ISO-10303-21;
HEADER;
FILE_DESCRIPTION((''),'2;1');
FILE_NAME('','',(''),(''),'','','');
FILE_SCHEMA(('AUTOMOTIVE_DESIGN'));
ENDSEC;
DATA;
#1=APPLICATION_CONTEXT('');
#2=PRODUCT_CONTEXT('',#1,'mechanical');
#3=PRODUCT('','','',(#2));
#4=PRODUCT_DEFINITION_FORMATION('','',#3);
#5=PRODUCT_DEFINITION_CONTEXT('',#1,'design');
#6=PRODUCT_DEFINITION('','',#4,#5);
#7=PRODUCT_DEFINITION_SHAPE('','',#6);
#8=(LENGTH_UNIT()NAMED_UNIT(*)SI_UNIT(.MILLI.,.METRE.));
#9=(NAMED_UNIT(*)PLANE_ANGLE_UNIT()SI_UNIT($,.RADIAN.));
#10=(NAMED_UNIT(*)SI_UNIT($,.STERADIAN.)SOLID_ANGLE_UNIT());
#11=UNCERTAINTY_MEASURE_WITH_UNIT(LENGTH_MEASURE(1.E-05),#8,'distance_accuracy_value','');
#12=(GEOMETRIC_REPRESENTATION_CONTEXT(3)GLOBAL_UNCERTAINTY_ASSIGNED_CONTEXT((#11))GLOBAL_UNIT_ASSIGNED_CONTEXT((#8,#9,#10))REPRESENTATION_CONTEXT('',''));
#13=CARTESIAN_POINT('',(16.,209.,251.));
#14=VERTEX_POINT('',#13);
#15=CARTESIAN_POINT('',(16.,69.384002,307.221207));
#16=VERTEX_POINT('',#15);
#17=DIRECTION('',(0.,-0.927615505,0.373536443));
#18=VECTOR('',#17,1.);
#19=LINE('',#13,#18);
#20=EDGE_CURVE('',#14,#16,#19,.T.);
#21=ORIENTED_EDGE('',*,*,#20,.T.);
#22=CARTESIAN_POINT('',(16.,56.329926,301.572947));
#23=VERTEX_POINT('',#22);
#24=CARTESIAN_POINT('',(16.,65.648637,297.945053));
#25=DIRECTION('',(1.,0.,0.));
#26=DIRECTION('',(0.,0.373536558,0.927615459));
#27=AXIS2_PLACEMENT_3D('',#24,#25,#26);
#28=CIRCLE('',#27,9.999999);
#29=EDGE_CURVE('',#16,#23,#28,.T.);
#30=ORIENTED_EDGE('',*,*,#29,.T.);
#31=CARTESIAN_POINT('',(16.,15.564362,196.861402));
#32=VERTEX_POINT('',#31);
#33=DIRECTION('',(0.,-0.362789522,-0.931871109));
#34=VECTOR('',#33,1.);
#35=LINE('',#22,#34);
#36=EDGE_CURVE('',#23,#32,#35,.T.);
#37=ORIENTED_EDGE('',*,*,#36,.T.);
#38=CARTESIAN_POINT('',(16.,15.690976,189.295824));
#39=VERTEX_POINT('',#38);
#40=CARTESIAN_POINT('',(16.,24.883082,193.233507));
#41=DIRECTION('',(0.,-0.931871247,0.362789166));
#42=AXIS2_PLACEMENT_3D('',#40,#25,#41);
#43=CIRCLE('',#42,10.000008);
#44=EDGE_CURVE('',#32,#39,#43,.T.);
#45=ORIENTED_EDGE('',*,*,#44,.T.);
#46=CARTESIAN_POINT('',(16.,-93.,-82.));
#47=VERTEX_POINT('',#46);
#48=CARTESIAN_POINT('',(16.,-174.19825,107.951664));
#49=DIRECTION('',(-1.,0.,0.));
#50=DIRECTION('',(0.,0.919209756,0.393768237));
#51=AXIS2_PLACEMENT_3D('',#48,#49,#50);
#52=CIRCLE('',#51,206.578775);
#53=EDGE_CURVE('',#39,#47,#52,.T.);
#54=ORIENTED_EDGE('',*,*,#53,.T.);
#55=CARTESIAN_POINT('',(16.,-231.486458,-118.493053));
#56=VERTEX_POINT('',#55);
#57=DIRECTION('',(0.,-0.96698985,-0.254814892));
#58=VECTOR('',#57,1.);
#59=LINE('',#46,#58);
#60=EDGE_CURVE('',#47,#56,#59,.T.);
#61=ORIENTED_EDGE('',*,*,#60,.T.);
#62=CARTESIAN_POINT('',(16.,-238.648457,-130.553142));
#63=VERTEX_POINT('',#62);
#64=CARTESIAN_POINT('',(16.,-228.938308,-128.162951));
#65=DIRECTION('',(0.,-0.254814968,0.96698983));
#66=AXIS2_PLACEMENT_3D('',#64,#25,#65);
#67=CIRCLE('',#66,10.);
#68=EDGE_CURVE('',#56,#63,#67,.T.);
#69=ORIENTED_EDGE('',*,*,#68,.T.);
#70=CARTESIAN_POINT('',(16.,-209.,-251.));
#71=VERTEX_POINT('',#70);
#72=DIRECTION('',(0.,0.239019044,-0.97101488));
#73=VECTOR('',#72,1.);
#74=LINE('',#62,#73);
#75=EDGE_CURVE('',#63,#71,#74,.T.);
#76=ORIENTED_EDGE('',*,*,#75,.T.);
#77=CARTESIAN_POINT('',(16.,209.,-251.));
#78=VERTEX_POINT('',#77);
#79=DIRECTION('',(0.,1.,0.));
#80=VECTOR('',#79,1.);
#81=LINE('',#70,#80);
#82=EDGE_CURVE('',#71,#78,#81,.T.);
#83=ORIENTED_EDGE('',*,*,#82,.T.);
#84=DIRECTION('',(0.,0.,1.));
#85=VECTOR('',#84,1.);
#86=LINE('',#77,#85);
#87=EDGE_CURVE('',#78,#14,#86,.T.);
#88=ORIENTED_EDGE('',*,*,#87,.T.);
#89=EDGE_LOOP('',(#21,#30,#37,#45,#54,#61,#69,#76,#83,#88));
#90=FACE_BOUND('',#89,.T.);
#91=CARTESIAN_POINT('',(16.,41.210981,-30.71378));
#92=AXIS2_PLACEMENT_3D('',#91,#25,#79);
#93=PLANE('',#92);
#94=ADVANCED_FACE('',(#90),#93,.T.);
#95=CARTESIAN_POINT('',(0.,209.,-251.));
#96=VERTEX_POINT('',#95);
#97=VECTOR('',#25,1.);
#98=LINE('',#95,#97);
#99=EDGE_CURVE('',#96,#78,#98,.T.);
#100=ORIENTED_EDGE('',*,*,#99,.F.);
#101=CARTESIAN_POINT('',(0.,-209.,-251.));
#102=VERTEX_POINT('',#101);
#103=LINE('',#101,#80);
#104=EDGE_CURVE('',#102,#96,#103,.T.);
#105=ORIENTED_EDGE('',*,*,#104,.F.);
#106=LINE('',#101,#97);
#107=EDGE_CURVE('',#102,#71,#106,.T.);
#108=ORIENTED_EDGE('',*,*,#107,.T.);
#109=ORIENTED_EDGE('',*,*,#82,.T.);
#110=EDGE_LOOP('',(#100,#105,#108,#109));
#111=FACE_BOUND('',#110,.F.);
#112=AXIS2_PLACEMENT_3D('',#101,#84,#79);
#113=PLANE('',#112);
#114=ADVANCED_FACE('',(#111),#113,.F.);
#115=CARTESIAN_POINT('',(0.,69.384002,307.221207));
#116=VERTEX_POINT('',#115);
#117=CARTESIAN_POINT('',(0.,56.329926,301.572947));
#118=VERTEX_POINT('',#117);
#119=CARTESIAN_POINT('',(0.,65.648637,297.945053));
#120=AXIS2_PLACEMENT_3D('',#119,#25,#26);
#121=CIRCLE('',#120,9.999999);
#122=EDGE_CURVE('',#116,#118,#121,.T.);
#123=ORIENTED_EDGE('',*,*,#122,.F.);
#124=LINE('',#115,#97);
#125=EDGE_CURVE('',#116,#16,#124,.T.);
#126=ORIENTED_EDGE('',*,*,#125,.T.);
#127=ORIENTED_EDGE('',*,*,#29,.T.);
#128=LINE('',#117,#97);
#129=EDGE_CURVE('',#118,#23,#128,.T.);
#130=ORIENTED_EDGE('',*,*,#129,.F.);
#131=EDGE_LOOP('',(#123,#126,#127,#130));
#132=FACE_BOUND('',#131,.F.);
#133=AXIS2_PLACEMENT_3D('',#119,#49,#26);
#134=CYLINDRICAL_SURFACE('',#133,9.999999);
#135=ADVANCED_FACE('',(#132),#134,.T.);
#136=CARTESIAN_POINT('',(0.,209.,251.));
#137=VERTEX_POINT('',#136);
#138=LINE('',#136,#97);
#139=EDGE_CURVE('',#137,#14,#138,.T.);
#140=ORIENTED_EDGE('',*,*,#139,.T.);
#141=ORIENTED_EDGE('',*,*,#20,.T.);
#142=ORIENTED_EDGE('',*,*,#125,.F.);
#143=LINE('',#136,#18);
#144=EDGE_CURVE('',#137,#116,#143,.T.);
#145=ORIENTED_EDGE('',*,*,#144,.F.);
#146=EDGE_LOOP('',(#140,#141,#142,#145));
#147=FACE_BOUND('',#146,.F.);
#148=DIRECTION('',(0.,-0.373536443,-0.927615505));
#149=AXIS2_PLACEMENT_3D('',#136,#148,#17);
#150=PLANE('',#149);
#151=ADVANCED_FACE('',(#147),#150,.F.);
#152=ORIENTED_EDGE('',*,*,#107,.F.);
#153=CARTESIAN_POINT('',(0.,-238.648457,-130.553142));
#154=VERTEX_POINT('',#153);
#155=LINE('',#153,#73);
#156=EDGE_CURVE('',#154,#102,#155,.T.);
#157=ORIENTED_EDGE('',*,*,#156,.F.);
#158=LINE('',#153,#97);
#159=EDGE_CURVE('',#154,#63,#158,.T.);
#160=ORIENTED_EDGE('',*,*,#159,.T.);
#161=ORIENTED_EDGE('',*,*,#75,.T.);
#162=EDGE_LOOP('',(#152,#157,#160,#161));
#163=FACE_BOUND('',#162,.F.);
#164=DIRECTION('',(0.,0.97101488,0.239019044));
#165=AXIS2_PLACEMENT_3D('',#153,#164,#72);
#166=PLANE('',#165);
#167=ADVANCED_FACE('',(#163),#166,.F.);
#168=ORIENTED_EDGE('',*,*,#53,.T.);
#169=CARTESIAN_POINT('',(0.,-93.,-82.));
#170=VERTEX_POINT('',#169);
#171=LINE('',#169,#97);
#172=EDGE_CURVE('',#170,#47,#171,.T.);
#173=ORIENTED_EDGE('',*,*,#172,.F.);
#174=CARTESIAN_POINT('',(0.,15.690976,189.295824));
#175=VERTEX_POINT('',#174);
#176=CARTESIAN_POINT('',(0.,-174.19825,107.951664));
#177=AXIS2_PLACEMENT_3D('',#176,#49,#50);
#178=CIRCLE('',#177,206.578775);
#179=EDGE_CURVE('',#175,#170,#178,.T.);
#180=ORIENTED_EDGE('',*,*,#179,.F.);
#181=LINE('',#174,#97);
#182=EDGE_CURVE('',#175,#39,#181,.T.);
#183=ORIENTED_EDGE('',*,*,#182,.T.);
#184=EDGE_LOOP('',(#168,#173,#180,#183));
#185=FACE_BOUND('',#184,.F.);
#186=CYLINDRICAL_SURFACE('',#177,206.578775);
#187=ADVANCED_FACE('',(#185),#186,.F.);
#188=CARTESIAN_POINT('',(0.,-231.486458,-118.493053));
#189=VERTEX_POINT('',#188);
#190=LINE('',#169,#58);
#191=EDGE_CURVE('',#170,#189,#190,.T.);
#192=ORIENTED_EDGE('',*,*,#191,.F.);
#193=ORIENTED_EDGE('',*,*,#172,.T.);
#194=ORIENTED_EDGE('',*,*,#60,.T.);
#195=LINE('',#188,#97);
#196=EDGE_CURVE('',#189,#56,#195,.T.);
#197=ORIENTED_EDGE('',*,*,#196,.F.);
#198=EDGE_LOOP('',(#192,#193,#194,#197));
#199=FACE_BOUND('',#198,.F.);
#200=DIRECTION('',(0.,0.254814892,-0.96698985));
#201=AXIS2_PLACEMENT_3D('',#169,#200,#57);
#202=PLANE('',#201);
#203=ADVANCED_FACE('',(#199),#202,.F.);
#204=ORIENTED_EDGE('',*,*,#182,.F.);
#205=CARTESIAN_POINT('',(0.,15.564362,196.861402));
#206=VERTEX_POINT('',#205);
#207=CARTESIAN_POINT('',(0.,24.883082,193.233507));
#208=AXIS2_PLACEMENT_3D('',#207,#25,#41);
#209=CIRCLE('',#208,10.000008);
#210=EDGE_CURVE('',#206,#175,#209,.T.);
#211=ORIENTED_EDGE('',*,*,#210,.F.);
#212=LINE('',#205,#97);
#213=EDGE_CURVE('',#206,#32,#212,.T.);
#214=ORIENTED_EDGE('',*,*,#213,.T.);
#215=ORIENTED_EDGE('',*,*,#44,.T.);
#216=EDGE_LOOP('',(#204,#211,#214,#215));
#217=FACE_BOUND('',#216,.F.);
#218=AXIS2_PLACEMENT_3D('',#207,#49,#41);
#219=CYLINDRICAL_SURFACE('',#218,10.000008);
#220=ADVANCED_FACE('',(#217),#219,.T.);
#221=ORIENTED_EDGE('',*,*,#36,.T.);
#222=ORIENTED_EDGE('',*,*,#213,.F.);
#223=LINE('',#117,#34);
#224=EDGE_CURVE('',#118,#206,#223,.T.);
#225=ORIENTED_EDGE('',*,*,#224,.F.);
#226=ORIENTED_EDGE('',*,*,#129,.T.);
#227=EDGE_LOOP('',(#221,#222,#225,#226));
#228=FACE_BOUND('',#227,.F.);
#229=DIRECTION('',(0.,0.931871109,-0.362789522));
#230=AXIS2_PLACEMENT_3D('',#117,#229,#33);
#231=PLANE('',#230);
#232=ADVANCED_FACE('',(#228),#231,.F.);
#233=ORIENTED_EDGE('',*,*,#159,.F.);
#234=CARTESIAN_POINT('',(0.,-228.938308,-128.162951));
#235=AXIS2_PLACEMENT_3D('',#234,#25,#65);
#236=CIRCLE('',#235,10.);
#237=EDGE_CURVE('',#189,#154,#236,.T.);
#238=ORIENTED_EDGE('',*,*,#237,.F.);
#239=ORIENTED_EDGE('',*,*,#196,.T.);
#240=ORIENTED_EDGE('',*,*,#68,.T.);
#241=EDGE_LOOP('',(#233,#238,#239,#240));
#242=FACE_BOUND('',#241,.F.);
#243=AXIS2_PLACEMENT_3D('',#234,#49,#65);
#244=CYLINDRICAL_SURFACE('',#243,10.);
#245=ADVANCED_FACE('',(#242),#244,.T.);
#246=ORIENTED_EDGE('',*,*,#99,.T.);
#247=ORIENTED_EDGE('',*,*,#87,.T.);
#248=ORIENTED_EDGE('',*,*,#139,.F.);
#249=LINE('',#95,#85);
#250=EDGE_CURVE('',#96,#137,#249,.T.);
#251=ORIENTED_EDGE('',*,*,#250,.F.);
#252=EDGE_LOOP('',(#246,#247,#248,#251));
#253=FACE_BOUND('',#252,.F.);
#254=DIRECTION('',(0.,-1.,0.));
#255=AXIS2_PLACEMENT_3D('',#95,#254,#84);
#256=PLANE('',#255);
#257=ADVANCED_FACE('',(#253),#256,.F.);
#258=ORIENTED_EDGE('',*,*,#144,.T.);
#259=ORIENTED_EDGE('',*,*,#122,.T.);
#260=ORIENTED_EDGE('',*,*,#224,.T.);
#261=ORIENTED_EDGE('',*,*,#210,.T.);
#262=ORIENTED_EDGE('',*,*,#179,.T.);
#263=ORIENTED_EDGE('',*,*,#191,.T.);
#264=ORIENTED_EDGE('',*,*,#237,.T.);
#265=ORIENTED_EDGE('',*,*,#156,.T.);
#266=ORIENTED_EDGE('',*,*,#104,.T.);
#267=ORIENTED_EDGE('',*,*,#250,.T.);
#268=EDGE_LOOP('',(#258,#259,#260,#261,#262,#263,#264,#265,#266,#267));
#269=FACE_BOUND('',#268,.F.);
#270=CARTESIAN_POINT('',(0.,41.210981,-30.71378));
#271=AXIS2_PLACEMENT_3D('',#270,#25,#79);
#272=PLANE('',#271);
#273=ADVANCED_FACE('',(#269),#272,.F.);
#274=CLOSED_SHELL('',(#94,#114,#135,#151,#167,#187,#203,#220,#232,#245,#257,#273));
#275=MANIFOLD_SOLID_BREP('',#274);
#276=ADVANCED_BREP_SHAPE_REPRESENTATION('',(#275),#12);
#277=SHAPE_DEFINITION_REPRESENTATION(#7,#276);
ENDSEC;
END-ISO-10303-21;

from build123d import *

# Parameters (mm, degrees)
F1_DEPTH = 16


with BuildPart() as f1:
    # F0 (on Right) → F1 (new body)
    with BuildSketch(Plane.YZ):
        with BuildLine():
            Line((-209, -251), (209, -251))
            Line((209, -251), (209, 251))
            Line((209, 251), (69.384002, 307.221207))
            ThreePointArc((69.384002, 307.221207), (61.677598, 307.122789), (56.329926, 301.572947))
            Line((56.329926, 301.572947), (15.564362, 196.861402))
            ThreePointArc((15.564362, 196.861402), (14.884474, 193.066175), (15.690976, 189.295824))
            ThreePointArc((15.690976, 189.295824), (17.563219, 31.125044), (-93, -82))
            Line((-93, -82), (-231.486458, -118.493053))
            ThreePointArc((-231.486458, -118.493053), (-237.536442, -123.056867), (-238.648457, -130.553142))
            Line((-238.648457, -130.553142), (-209, -251))
        make_face()
    extrude(amount=F1_DEPTH)


solid = f1.part
